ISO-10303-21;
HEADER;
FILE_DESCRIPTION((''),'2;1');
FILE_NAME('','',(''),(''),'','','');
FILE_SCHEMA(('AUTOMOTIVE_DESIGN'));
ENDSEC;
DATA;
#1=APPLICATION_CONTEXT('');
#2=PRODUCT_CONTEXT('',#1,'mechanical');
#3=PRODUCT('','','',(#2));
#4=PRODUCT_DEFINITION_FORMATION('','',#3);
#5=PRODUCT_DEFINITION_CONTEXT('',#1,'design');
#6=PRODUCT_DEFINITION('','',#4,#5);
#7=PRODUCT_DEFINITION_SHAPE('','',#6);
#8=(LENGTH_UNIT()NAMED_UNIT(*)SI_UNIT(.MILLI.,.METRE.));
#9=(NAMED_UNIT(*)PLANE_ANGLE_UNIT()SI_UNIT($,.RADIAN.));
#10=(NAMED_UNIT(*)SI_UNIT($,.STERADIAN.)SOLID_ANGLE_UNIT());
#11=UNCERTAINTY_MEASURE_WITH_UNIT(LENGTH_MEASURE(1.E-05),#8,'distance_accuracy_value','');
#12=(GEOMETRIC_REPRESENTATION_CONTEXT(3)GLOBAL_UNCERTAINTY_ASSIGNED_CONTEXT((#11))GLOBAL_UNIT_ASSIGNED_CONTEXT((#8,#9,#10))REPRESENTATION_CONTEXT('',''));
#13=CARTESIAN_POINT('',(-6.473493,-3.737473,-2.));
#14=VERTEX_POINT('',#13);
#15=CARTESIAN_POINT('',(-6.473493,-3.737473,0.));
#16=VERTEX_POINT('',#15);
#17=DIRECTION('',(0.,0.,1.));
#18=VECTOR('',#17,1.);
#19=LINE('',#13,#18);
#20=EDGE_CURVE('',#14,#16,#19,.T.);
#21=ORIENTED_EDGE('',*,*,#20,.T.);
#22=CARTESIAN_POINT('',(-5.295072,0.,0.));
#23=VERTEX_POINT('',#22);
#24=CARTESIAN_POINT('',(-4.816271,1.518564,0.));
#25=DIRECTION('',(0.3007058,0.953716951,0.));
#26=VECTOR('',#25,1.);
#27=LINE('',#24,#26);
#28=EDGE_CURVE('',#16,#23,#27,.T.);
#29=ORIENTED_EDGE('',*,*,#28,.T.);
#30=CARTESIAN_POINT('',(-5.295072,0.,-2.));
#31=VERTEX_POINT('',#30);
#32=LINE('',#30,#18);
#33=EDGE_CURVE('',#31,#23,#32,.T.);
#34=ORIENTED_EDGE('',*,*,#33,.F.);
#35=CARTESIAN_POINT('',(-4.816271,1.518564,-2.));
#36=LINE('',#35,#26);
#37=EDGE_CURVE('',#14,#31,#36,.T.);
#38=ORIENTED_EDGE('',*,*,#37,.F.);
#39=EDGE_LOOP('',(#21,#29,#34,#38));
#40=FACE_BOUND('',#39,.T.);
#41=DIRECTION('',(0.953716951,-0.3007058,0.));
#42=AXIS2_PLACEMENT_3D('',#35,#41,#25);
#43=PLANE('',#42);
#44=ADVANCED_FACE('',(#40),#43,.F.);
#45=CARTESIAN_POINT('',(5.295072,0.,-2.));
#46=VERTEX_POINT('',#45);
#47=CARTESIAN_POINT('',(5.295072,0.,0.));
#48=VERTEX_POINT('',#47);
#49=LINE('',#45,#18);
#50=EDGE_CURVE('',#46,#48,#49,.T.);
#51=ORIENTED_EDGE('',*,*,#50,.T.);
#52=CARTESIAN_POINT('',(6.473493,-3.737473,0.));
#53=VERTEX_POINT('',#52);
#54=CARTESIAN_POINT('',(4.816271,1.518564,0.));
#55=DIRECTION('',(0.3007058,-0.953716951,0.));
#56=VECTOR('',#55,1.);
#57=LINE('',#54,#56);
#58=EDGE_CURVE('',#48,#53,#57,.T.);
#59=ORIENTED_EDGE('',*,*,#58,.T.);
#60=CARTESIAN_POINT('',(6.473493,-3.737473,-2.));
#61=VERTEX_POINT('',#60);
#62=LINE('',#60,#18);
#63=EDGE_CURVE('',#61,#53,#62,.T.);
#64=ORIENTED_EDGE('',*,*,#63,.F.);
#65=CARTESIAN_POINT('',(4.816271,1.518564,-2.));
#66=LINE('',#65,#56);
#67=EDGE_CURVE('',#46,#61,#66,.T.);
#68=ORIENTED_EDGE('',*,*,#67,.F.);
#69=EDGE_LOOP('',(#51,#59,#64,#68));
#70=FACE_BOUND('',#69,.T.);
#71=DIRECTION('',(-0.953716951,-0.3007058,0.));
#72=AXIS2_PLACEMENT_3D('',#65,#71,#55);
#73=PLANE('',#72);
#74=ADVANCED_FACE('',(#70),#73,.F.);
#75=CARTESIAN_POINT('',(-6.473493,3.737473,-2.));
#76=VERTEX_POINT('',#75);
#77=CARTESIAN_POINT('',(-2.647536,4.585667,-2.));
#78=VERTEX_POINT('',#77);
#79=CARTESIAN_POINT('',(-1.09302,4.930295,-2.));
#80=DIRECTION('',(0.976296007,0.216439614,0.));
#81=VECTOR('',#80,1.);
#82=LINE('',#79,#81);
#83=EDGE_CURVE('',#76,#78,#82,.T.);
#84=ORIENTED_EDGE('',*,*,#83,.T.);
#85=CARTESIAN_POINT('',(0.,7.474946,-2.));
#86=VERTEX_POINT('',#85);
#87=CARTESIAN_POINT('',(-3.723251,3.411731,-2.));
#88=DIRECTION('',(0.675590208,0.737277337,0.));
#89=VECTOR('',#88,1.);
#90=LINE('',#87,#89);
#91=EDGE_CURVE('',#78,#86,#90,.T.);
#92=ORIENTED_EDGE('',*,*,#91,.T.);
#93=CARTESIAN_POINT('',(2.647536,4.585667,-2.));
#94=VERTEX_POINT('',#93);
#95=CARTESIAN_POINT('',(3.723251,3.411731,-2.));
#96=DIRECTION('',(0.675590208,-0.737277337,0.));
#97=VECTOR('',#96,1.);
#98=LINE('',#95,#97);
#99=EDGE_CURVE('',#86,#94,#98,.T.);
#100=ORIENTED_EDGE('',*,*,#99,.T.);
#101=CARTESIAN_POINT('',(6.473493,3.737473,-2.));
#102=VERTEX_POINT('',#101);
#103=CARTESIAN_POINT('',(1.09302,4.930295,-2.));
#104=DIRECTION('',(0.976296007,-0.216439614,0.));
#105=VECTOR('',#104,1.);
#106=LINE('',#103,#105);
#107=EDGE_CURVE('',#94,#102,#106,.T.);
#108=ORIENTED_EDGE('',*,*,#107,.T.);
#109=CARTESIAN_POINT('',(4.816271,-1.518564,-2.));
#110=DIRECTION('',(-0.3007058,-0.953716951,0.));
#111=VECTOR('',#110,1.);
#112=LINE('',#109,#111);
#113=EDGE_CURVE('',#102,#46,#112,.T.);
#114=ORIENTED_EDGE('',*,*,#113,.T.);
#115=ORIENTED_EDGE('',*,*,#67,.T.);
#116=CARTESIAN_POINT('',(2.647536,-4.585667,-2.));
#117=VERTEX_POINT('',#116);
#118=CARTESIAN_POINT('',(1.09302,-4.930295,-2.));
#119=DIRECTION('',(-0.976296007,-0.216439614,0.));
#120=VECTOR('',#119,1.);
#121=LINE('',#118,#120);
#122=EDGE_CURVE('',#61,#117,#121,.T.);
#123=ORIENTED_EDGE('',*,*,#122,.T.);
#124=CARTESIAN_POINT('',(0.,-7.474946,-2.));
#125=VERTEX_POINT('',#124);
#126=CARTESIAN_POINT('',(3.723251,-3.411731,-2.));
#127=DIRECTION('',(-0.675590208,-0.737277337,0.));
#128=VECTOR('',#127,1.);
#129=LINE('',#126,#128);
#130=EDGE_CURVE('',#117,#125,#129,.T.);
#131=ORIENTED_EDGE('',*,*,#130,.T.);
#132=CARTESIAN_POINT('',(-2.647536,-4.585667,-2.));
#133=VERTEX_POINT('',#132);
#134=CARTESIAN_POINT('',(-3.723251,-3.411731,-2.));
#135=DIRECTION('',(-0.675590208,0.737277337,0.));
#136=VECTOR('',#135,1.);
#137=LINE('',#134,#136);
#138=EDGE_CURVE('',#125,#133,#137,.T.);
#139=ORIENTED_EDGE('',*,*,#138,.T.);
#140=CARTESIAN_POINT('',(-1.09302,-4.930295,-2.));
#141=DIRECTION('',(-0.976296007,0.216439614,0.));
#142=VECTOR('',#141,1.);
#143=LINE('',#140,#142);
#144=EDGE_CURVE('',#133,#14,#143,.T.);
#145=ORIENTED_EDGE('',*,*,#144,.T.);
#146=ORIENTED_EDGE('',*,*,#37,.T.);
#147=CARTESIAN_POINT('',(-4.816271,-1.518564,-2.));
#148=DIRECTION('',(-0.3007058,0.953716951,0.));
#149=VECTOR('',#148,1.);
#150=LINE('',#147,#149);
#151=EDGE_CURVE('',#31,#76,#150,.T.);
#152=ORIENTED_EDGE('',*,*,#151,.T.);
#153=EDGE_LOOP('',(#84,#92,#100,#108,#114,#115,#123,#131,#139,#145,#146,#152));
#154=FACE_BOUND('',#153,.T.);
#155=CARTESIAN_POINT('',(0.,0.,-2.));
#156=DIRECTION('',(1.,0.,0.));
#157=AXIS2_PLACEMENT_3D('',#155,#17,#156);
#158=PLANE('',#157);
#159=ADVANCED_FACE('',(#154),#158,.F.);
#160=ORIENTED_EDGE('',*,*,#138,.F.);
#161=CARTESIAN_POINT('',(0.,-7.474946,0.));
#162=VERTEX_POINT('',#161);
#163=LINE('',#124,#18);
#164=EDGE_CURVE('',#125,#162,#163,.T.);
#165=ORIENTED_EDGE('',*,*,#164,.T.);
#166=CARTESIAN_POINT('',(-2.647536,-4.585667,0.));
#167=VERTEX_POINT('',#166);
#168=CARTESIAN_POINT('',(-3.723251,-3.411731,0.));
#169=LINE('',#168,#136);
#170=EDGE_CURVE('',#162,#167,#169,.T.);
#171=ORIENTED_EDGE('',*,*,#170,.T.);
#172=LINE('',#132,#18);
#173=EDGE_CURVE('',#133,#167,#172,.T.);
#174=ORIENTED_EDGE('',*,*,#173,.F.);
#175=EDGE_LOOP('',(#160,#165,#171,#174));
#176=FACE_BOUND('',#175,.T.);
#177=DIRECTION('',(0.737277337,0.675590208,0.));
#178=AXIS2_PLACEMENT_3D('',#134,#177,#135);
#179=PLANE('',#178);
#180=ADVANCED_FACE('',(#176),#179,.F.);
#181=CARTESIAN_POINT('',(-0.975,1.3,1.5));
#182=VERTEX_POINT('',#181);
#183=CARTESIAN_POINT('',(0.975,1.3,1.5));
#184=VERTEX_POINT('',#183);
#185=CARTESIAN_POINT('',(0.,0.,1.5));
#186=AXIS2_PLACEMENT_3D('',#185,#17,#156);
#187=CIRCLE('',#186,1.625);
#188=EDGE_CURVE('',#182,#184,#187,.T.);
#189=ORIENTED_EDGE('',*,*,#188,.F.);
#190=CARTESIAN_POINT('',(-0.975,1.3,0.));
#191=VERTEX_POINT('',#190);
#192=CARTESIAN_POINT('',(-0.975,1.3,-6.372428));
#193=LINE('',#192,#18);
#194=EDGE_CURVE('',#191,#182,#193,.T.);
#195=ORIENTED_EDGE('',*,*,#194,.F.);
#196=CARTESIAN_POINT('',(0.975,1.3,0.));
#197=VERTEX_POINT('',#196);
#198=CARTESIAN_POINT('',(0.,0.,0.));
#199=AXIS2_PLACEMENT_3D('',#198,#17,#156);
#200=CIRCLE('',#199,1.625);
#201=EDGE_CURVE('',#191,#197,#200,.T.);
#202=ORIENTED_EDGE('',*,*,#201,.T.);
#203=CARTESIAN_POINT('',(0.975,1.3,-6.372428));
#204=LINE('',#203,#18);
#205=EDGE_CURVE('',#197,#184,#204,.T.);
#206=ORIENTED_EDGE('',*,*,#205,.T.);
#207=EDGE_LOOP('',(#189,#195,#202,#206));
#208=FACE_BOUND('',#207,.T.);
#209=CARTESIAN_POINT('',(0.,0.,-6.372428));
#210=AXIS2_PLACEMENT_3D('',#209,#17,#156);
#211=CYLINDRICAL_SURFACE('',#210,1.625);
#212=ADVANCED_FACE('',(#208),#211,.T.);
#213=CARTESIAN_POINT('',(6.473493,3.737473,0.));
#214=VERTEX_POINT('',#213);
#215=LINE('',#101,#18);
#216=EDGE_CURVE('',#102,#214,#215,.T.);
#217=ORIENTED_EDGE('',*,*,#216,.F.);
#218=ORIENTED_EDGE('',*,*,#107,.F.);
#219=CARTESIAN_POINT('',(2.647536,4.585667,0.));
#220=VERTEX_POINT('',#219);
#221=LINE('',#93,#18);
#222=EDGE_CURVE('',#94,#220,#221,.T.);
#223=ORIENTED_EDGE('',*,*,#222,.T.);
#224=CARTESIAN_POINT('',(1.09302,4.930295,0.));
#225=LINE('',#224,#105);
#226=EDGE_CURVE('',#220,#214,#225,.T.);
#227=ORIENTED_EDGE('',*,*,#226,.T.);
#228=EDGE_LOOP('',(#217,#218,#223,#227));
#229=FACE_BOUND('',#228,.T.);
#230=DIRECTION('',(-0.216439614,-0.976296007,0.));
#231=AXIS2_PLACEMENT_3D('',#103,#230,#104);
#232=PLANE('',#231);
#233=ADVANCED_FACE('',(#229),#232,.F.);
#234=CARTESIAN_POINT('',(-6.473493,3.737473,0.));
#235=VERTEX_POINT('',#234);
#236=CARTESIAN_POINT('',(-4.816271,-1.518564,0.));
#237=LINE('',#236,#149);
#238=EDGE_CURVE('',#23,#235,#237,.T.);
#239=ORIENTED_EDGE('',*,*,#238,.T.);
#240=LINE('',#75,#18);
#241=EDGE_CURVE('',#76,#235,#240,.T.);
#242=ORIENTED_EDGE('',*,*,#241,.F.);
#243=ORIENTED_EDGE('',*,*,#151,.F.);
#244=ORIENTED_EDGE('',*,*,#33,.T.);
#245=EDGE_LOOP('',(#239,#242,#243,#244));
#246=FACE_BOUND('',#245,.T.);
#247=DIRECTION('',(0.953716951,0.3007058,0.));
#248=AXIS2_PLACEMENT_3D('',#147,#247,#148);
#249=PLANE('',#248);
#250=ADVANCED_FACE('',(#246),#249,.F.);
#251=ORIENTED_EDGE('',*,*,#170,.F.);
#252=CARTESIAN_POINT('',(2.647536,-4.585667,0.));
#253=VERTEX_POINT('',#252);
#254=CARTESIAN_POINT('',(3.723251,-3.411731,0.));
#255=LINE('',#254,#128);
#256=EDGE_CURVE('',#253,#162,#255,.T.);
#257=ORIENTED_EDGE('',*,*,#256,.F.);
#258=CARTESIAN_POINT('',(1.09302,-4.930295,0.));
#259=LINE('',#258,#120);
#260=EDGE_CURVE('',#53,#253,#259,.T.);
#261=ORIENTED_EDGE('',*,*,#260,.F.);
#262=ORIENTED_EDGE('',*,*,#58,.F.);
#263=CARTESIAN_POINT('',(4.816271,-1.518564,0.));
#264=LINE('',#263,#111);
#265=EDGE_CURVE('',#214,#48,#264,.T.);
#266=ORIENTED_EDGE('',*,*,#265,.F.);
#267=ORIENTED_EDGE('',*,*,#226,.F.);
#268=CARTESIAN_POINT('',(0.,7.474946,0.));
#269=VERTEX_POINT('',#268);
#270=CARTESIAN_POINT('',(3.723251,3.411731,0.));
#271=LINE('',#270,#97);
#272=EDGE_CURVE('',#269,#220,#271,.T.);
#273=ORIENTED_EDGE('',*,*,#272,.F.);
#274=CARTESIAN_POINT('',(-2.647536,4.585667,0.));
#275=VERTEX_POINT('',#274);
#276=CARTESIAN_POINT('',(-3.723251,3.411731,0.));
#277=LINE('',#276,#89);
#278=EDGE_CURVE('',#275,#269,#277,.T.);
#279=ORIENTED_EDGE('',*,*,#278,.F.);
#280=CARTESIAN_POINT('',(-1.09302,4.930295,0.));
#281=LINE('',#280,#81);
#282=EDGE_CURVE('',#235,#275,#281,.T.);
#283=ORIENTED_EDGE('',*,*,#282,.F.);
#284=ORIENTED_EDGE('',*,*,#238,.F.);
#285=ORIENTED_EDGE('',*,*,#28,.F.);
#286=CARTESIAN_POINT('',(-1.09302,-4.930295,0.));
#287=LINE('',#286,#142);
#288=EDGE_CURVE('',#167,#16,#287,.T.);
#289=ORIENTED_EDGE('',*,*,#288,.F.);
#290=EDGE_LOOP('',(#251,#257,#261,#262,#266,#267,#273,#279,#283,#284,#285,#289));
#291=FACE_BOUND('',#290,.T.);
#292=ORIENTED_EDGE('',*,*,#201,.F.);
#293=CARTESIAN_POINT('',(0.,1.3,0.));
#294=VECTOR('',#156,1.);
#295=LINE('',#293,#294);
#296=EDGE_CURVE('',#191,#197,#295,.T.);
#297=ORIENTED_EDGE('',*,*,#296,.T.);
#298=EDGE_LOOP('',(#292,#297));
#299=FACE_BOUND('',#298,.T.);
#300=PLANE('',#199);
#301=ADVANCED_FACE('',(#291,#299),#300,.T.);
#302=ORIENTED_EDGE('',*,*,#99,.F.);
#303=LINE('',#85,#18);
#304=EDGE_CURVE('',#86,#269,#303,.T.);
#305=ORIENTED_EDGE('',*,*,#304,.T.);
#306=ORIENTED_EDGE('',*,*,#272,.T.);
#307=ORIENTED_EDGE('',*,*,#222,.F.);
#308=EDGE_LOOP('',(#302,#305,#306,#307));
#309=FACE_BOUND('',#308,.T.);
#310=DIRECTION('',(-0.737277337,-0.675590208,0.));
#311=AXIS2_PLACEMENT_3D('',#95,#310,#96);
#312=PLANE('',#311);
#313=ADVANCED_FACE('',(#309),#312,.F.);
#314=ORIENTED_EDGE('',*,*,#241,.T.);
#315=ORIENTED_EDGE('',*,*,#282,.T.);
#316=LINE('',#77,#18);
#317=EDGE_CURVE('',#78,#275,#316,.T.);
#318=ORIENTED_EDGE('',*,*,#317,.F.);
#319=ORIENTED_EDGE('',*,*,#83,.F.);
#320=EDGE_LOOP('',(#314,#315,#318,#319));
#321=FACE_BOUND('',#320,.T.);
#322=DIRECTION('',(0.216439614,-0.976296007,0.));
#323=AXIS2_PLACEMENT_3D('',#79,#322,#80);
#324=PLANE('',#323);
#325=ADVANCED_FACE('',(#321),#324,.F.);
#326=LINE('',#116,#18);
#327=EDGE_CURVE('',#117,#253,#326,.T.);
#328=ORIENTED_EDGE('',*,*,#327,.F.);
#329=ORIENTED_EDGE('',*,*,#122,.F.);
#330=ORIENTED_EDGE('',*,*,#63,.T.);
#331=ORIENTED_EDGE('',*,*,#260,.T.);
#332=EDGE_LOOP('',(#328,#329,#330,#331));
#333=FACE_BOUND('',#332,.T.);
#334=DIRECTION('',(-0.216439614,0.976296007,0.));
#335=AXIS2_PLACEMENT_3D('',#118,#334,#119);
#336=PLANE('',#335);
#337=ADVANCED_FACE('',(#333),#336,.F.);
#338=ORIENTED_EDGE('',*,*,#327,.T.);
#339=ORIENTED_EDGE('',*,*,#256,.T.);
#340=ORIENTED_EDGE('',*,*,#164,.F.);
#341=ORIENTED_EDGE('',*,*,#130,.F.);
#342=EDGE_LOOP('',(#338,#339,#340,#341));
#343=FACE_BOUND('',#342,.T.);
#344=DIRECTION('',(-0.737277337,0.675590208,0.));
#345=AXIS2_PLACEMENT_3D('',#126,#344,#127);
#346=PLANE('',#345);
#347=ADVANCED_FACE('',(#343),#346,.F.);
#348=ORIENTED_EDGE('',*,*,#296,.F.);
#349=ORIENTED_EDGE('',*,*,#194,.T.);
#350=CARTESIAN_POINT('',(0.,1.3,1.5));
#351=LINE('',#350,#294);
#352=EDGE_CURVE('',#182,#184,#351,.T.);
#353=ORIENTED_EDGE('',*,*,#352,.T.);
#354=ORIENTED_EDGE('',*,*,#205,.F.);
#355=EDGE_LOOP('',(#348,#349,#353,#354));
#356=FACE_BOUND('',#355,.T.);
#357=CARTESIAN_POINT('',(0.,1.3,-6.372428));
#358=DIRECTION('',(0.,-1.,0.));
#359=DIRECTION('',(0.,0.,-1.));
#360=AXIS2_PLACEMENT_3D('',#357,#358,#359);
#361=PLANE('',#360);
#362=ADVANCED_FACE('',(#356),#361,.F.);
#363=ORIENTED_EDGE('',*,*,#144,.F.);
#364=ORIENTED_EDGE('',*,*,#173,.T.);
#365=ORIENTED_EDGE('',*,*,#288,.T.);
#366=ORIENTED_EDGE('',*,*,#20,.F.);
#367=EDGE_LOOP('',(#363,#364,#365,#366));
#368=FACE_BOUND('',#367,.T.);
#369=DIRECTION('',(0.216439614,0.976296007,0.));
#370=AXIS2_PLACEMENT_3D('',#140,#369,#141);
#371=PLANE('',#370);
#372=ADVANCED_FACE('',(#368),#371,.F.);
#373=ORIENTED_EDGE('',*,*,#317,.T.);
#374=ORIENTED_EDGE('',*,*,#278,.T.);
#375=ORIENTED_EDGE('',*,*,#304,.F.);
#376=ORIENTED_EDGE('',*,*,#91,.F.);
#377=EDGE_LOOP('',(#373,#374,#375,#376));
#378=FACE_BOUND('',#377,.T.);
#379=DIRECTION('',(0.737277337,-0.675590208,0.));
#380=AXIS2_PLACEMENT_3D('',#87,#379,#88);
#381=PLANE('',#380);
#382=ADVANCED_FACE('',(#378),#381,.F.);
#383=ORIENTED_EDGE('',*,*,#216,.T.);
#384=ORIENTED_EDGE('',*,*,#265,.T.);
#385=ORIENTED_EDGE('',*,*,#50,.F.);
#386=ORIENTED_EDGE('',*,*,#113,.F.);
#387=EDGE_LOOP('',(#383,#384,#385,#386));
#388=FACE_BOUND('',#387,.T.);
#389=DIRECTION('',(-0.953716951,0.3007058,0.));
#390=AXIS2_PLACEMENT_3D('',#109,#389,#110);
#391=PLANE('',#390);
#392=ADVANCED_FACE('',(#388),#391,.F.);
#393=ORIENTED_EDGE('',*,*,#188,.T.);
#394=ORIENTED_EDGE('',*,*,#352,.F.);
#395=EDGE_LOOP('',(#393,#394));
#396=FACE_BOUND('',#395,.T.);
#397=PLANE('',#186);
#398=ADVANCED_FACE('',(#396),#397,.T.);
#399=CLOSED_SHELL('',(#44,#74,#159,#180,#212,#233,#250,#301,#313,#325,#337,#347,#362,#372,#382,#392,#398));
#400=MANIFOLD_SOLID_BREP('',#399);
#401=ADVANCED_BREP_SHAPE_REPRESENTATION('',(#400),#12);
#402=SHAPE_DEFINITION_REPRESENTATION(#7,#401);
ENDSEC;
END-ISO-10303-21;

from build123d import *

# Parameters (mm, degrees)
BOSS_EXTRUDE1_DEPTH      = 2
BOSS_EXTRUDE2_DEPTH      = 1.5
BOSS_EXTRUDE2_DEPTH_BACK = 2


with BuildPart() as part:
    # Sketch1 → Boss-Extrude1 (new body)
    with BuildSketch(Plane.XY):
        Polygon((0, -7.474945526), (2.647536041, -4.585666938), (6.473492718, -3.737472763), (5.295072082, 0), (6.473492718, 3.737472763), (2.647536041, 4.585666938), (0, 7.474945526), (-2.647536041, 4.585666938), (-6.473492718, 3.737472763), (-5.295072082, 0), (-6.473492718, -3.737472763), (-2.647536041, -4.585666938), align=None)
    extrude(amount=-BOSS_EXTRUDE1_DEPTH)

    # Sketch1<4> → Boss-Extrude2 (add, two sides: drawn at the far end of the back side and taken through both)
    with BuildSketch(Plane.XY.offset(-BOSS_EXTRUDE2_DEPTH_BACK)):
        with BuildLine():
            Line((0.975, 1.3), (-0.975, 1.3))
            ThreePointArc((-0.975, 1.3), (0, -1.625), (0.975, 1.3))
        make_face()
    extrude(amount=BOSS_EXTRUDE2_DEPTH + BOSS_EXTRUDE2_DEPTH_BACK)


solid = part.part
